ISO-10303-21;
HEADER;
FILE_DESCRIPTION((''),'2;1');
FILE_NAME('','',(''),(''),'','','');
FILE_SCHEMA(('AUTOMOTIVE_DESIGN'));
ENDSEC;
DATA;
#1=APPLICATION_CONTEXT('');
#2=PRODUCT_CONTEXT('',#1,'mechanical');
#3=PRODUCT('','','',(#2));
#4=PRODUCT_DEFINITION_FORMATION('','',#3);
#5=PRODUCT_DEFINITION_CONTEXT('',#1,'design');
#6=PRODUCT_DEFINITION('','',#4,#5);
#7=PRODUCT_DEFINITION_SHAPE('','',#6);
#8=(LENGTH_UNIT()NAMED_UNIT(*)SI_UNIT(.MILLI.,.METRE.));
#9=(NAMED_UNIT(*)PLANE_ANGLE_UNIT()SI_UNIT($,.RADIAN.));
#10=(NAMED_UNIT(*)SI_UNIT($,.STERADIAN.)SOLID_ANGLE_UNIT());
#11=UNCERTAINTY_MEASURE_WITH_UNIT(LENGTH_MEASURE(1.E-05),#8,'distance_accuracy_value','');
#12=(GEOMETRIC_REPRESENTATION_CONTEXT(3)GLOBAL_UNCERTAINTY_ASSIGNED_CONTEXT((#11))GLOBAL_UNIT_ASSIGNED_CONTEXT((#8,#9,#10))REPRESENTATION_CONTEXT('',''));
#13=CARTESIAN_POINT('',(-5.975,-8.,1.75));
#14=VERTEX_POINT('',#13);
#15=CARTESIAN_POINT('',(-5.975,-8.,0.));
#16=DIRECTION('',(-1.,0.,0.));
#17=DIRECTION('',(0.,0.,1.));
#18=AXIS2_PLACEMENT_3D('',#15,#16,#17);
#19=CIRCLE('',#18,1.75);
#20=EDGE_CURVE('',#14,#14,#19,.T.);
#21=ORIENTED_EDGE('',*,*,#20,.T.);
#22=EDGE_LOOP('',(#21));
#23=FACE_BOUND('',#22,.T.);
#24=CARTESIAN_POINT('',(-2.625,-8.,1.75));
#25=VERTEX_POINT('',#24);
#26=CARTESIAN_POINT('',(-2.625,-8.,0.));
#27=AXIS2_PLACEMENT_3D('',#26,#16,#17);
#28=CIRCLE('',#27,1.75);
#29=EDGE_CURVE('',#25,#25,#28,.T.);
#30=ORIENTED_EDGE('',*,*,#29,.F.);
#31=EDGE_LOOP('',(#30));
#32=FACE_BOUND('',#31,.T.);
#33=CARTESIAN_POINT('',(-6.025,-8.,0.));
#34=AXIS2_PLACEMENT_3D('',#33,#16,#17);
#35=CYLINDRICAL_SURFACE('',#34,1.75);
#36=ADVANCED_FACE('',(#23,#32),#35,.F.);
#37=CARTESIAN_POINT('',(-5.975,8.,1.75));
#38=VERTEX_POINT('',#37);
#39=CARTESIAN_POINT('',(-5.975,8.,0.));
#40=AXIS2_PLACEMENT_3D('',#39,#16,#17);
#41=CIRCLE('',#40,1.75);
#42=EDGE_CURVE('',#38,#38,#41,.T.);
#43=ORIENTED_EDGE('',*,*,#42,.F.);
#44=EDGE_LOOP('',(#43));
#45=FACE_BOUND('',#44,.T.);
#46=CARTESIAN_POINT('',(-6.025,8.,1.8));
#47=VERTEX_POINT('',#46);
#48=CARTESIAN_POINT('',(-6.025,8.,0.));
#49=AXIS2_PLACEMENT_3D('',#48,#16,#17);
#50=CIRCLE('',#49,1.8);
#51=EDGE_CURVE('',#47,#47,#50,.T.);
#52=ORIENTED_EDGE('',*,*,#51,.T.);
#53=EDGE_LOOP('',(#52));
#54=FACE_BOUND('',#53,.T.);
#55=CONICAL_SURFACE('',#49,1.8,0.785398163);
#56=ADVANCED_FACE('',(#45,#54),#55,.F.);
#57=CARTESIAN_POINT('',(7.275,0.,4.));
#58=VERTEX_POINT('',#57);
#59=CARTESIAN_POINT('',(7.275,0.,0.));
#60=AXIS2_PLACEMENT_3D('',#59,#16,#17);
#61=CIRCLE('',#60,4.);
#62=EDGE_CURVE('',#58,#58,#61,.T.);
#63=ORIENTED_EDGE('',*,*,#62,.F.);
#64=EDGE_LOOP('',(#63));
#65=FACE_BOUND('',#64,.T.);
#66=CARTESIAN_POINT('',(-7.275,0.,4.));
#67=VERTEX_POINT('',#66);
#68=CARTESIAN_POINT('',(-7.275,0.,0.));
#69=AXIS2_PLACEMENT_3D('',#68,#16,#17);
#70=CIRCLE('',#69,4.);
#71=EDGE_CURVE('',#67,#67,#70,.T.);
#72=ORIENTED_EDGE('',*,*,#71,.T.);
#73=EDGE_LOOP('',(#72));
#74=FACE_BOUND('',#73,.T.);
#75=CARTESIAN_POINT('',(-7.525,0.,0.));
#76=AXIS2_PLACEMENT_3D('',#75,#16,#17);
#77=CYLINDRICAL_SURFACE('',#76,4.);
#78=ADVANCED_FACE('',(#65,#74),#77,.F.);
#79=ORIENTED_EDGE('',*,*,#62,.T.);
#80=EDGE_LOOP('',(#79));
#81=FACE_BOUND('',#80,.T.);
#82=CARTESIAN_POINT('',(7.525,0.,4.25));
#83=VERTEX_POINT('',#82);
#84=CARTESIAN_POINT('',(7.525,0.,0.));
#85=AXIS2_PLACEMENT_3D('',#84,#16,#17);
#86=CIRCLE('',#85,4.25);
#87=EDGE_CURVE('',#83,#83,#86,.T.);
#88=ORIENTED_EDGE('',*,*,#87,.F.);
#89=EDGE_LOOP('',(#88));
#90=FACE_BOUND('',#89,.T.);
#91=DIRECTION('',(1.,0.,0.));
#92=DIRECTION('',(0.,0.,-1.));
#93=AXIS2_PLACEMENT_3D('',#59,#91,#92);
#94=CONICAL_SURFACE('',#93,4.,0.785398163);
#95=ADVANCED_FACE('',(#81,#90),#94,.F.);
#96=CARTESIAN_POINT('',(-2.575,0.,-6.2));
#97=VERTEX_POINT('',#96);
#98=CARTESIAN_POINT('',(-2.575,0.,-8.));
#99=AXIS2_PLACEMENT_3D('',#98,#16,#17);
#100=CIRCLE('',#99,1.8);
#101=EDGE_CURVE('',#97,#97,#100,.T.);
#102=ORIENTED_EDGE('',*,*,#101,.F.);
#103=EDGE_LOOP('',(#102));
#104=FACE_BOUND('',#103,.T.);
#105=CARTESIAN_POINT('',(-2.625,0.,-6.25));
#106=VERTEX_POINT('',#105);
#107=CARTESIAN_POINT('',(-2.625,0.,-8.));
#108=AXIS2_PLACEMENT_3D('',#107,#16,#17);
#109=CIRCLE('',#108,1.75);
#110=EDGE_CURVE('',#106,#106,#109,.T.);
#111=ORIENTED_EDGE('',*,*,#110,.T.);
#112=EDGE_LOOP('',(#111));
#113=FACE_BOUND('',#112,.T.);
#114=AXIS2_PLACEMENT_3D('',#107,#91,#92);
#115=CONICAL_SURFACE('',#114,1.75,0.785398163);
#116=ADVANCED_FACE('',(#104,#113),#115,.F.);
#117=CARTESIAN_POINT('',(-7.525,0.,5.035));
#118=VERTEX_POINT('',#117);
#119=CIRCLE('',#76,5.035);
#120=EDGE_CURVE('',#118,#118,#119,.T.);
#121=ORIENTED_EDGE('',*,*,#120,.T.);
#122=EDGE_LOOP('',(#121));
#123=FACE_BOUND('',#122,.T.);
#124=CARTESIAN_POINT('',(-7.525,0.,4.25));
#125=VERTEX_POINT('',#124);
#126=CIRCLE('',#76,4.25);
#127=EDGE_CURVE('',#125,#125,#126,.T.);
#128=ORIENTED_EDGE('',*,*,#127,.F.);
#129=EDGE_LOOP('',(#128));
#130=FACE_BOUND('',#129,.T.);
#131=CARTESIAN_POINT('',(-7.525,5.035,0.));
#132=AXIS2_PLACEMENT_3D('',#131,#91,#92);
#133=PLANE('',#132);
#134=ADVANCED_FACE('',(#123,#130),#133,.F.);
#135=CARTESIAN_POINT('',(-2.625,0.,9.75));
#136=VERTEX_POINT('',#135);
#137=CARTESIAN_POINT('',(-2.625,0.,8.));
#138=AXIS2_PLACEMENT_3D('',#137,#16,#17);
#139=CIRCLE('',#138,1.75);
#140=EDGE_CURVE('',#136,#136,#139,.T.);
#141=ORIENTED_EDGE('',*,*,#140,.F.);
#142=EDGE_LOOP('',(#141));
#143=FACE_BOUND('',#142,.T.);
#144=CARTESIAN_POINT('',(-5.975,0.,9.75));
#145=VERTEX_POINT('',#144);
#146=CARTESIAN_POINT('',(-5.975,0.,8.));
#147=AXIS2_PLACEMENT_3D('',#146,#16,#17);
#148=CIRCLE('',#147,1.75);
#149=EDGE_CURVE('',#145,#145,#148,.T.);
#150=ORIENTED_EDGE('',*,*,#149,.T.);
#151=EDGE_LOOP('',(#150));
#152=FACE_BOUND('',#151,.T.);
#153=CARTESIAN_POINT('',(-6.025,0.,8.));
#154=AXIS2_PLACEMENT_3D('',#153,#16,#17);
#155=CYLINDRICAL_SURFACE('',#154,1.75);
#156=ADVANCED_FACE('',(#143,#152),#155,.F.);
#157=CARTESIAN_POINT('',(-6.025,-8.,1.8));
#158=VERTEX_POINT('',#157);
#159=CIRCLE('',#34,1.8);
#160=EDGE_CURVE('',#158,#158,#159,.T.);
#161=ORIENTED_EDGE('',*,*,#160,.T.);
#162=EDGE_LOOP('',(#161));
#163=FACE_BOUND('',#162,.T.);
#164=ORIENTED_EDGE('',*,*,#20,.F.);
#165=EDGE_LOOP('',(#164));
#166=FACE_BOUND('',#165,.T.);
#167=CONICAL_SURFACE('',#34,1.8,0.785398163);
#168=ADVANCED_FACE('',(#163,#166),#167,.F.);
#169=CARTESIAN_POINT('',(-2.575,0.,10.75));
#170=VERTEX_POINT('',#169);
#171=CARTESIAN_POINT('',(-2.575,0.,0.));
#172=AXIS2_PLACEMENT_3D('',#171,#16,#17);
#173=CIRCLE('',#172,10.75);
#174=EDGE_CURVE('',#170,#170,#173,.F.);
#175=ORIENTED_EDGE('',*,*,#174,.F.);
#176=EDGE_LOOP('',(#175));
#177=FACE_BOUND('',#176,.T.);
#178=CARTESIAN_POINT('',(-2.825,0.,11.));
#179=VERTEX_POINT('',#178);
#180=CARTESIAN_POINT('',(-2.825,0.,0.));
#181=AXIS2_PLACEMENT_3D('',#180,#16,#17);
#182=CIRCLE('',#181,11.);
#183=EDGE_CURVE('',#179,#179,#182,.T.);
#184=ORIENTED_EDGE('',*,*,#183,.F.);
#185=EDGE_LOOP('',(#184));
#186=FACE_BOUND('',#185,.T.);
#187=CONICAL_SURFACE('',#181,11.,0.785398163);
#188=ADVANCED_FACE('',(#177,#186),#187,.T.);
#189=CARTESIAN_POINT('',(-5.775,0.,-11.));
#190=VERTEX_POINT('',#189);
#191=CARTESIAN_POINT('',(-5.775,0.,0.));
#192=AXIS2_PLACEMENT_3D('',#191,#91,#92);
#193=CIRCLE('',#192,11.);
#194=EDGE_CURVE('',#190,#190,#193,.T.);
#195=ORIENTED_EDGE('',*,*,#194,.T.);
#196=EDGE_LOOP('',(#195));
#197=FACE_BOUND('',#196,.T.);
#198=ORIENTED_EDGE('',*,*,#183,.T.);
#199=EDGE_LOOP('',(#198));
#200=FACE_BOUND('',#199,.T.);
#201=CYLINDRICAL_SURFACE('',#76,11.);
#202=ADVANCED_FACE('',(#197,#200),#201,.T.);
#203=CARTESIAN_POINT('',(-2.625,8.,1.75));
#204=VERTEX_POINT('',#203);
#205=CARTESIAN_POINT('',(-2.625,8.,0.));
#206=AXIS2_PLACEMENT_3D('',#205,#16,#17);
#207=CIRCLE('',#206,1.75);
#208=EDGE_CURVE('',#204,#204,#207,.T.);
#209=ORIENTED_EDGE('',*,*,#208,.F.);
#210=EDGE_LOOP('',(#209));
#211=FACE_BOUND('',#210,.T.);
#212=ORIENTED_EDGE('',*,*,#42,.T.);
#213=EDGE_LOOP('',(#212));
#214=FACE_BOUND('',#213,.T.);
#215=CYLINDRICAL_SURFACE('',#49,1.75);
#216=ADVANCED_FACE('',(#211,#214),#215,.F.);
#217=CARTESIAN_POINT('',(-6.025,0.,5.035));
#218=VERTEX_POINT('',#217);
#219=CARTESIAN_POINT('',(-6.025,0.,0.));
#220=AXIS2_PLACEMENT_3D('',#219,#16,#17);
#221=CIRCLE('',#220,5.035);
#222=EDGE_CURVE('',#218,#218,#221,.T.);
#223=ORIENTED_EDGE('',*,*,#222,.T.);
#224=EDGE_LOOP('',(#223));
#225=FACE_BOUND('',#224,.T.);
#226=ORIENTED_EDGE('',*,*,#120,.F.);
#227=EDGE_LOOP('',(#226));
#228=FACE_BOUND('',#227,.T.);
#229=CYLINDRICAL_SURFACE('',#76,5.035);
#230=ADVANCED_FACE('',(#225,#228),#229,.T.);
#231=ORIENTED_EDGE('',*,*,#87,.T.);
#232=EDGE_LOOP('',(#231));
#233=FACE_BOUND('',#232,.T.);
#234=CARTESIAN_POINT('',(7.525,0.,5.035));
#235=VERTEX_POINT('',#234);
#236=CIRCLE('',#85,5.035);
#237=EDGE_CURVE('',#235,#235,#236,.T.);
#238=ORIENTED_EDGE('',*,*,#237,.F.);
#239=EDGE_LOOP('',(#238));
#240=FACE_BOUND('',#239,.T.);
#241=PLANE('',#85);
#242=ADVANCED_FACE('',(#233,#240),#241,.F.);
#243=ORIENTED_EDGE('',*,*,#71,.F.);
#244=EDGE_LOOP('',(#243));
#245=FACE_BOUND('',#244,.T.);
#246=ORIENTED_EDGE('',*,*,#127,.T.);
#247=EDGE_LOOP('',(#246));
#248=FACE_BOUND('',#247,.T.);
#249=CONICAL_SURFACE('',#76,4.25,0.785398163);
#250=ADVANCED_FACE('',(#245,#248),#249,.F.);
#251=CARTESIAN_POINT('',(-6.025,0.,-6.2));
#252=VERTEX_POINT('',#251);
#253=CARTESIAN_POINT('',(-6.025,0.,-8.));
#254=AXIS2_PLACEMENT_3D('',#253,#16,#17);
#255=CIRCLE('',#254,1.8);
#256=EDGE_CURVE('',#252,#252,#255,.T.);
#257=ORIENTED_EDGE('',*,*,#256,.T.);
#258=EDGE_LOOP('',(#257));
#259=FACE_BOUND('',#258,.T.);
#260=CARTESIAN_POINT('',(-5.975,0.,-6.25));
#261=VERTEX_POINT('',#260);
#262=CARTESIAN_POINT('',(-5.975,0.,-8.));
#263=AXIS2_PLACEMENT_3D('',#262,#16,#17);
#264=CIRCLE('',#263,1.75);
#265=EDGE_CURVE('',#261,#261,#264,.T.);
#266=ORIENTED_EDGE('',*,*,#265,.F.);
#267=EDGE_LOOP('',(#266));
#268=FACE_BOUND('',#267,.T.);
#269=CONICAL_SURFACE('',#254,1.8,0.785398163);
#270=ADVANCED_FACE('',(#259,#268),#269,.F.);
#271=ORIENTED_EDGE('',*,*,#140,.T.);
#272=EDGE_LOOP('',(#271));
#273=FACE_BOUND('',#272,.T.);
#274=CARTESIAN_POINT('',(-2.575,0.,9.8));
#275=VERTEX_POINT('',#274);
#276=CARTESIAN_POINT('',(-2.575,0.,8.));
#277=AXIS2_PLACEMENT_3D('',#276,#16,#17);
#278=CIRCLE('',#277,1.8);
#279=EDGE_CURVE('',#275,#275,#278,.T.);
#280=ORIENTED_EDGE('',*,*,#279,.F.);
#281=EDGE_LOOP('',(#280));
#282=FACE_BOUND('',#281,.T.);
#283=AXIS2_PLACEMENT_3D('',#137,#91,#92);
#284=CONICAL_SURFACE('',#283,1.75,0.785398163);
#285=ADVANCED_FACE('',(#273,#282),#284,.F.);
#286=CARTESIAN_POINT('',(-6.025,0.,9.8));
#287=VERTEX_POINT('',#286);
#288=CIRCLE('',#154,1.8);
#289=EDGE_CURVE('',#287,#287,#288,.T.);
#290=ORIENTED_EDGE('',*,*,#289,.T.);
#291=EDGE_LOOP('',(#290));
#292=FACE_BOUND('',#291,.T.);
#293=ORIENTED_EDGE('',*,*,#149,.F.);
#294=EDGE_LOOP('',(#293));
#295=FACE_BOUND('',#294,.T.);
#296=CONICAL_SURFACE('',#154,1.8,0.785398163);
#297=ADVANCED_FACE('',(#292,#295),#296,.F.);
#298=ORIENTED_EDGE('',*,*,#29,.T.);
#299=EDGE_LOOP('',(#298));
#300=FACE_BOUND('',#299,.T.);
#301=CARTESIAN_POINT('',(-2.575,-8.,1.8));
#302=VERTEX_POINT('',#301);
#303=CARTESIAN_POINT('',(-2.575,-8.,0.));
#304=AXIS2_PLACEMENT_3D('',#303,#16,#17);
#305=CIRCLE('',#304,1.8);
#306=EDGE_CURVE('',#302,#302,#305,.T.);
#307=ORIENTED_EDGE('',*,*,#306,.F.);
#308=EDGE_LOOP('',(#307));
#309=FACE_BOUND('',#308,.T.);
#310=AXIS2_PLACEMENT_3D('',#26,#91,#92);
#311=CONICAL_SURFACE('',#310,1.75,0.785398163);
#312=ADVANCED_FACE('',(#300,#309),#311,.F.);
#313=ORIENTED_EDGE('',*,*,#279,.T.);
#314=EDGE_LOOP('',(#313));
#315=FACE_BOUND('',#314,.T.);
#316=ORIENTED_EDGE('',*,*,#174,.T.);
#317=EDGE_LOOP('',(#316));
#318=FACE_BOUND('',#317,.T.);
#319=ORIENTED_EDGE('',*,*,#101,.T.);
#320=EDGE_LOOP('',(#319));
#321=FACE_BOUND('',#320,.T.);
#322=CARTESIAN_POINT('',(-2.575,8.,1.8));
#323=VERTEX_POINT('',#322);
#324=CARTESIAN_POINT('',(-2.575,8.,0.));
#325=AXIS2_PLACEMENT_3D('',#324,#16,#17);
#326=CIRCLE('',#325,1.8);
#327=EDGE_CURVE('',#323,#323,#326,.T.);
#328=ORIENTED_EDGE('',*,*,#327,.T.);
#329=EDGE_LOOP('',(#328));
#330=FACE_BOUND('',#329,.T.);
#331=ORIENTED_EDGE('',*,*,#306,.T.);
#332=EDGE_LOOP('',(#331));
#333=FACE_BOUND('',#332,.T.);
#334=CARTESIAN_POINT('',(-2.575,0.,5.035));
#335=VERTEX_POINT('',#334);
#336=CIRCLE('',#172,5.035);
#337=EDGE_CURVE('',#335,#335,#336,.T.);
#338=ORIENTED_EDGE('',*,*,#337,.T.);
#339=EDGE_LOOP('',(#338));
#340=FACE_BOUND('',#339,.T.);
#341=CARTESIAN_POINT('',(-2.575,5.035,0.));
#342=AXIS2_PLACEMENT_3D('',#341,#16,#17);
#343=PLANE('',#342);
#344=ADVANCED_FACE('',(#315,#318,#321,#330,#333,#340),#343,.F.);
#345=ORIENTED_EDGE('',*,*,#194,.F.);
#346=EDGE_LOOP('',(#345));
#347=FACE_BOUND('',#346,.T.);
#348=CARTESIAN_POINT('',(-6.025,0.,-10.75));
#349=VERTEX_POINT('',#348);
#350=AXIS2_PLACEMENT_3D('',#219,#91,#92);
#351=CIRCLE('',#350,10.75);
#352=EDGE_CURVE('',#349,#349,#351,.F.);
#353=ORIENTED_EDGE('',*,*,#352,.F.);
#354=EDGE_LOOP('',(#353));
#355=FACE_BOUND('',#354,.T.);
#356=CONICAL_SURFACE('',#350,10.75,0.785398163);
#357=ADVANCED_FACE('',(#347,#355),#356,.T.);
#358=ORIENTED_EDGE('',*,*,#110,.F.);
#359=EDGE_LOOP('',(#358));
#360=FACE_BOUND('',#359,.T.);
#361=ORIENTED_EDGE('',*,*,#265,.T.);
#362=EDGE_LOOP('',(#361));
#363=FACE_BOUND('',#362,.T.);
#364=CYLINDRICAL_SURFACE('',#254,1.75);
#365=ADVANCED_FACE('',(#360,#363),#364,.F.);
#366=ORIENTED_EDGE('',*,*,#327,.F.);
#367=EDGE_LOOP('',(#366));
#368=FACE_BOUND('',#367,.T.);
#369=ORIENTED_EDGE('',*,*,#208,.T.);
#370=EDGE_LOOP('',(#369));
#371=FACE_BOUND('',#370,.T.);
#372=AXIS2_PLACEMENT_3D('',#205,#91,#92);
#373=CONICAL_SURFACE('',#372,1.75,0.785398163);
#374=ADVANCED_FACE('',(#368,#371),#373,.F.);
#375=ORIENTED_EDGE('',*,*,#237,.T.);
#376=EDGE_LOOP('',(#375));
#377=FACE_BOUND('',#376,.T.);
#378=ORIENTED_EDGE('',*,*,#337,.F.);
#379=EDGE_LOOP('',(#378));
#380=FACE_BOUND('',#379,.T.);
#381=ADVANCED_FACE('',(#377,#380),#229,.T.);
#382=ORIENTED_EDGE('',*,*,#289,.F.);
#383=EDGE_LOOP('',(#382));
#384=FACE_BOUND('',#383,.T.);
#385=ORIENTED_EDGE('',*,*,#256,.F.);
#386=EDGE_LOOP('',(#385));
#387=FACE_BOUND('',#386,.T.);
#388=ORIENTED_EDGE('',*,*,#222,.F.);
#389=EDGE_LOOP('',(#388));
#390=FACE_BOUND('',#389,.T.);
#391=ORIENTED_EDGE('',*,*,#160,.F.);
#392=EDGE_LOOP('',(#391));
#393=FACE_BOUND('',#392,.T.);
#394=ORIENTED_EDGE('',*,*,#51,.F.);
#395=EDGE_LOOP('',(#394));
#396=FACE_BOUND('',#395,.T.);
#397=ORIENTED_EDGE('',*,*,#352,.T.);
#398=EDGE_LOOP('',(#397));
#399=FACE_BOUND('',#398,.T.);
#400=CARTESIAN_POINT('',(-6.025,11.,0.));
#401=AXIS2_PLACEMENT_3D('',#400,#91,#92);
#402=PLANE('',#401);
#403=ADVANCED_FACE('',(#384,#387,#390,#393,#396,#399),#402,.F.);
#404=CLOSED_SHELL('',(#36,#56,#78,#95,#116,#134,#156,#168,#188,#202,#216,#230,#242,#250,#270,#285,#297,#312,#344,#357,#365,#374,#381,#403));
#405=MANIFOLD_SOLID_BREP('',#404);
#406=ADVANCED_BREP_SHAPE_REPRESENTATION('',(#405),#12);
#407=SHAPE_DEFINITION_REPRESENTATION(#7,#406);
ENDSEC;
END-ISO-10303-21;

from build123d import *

# Parameters (mm, degrees)
F_3_5_3_5_DIAMETER_HOLE1_AT_2_COUNT = 2
F_3_5_3_5_DIAMETER_HOLE1_AT_2_PITCH = 11.313708499
F_3_5_3_5_DIAMETER_HOLE1_AT_3_COUNT = 2
F_3_5_3_5_DIAMETER_HOLE1_AT_3_PITCH = 16
F_3_5_3_5_DIAMETER_HOLE1_AT_4_COUNT = 2
F_3_5_3_5_DIAMETER_HOLE1_AT_4_PITCH = 11.313708499
CHAMFER1_SIZE                       = 0.25


with BuildPart() as part:
    # Sketch1 → Revolve1 (revolve)
    with BuildSketch(Plane.XY, mode=Mode.PRIVATE) as revolve1_sk:
        Polygon((7.525, 0), (7.525, 5.035), (-2.575, 5.035), (-2.575, 11), (-6.025, 11), (-6.025, 5.035), (-7.525, 5.035), (-7.525, 0), align=None)
    revolve(revolve1_sk.sketch.rotate(Axis((-7.525, 0, 0), (1, 0, 0)), 90), axis=Axis((-7.525, 0, 0), (1, 0, 0)))

    # Sketch3 → Ø8.0 (8) Diameter Hole1 (revolve, cut)
    with BuildSketch(Plane(origin=(-7.525, 0, 0), x_dir=(0, 0, 1), z_dir=(0, 1, 0))):
        Polygon((0, 0), (0, 15.05), (4.25, 15.05), (4, 14.8), (4, 0.25), (4.25, 0), align=None)
    revolve(axis=Axis((-13.875, 0, 0), (1, 0, 0)), mode=Mode.SUBTRACT)

    # Sketch7 → Ø3.5 (3.5) Diameter Hole1 (revolve, cut)
    with BuildSketch(Plane(origin=(-6.025, 8, 0), x_dir=(0, 0, 1), z_dir=(0, 1, 0))):
        Polygon((0, 0), (0, 3.45), (1.8, 3.45), (1.75, 3.4), (1.75, 0.05), (1.8, 0), align=None)
    f_3_5_3_5_diameter_hole1 = revolve(axis=Axis((-12.375, 8, 0), (1, 0, 0)), mode=Mode.SUBTRACT)

    # Ø3.5 (3.5) Diameter Hole1 at 2: Ø3.5 (3.5) Diameter Hole1 ×2
    with Locations(*[Vector(0, -0.7071067811865476, 0.7071067811865476) * (i * F_3_5_3_5_DIAMETER_HOLE1_AT_2_PITCH) for i in range(1, F_3_5_3_5_DIAMETER_HOLE1_AT_2_COUNT)]):
        add(f_3_5_3_5_diameter_hole1, mode=Mode.SUBTRACT)

    # Ø3.5 (3.5) Diameter Hole1 at 3: Ø3.5 (3.5) Diameter Hole1 ×2
    with Locations(*[(0, -i * F_3_5_3_5_DIAMETER_HOLE1_AT_3_PITCH, 0) for i in range(1, F_3_5_3_5_DIAMETER_HOLE1_AT_3_COUNT)]):
        add(f_3_5_3_5_diameter_hole1, mode=Mode.SUBTRACT)

    # Ø3.5 (3.5) Diameter Hole1 at 4: Ø3.5 (3.5) Diameter Hole1 ×2
    with Locations(*[Vector(0, -0.7071067811865476, -0.7071067811865476) * (i * F_3_5_3_5_DIAMETER_HOLE1_AT_4_PITCH) for i in range(1, F_3_5_3_5_DIAMETER_HOLE1_AT_4_COUNT)]):
        add(f_3_5_3_5_diameter_hole1, mode=Mode.SUBTRACT)

    # Chamfer1
    chamfer1_edges = [part.edges().sort_by_distance(p)[0] for p in [
        (-6.025, 0, -11),
        (-2.575, 0, -11),
    ]]
    chamfer(chamfer1_edges, length=CHAMFER1_SIZE)


solid = part.part
